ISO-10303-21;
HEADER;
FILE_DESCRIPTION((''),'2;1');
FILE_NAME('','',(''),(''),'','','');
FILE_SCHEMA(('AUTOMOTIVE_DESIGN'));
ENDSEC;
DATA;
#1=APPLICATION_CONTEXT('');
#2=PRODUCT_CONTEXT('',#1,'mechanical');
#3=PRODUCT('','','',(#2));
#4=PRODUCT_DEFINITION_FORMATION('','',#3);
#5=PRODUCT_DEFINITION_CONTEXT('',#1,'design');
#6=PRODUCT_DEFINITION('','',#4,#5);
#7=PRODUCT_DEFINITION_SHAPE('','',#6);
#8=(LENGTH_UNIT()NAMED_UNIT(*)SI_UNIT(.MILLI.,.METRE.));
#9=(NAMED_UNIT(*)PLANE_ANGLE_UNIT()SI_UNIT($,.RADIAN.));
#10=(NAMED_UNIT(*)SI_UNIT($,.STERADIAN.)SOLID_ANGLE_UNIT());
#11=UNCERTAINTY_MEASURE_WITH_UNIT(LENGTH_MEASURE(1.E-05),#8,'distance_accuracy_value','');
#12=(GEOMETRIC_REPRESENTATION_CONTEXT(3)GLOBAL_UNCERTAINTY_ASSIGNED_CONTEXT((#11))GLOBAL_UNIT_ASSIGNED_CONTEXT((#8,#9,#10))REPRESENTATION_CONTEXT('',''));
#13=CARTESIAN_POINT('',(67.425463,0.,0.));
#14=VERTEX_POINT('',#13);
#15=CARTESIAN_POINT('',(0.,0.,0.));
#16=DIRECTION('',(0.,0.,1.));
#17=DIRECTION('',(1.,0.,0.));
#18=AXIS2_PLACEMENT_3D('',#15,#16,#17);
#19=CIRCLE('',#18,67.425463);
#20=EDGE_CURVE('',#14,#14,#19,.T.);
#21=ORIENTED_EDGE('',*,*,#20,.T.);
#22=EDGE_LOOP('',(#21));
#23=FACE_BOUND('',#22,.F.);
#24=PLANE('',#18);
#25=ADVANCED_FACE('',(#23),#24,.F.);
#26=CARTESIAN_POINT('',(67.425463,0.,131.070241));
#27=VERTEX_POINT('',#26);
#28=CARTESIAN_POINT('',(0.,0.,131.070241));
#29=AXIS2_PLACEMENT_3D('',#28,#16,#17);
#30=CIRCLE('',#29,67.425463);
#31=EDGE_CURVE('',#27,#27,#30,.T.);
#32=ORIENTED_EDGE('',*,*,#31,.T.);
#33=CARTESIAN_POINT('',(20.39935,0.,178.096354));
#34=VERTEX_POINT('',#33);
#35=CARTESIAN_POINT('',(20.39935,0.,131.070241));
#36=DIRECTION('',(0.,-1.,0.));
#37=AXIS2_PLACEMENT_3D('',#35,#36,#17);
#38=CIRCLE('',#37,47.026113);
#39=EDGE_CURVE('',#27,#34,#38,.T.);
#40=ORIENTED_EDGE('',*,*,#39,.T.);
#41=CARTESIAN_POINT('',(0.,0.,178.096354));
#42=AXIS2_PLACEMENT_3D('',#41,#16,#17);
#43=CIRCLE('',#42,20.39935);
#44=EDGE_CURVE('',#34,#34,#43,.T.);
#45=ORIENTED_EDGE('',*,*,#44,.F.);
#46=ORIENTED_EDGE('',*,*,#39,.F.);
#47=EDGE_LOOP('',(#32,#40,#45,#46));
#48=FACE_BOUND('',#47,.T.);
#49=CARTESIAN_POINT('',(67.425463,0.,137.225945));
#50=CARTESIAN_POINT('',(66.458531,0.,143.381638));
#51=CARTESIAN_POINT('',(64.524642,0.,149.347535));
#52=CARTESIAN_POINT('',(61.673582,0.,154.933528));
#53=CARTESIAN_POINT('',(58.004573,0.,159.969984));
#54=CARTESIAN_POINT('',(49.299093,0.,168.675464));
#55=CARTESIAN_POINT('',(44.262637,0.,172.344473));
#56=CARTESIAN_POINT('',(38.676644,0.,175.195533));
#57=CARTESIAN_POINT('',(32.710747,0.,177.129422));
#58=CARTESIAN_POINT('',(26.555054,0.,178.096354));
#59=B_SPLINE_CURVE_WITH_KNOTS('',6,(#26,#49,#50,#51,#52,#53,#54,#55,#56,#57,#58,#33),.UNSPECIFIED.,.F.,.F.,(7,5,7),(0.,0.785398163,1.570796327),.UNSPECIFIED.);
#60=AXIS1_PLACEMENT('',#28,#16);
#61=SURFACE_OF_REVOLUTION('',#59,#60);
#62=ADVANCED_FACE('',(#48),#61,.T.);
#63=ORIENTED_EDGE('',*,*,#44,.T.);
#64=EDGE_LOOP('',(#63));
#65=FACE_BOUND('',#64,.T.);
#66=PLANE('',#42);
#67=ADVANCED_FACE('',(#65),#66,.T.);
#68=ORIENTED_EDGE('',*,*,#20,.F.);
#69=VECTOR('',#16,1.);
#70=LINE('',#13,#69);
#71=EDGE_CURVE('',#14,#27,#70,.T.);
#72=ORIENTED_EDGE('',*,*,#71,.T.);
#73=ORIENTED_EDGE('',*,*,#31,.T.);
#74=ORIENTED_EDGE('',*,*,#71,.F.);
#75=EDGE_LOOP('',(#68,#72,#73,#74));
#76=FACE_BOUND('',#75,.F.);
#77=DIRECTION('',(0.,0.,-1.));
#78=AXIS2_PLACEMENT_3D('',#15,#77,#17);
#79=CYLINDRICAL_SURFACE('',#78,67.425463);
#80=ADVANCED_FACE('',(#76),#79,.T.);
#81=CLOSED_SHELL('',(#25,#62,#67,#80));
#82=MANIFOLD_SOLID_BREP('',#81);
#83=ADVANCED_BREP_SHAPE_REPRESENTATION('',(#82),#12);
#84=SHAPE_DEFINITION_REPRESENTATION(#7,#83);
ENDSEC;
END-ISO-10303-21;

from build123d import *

# Parameters (mm, degrees)
F2_R     = 67.425463
F3_DEPTH = 178.096354
F4_R     = 47.026113


with BuildPart() as f3:
    # F2 (on face) → F3 (new body)
    with BuildSketch(Plane.XY):
        Circle(F2_R)
    extrude(amount=F3_DEPTH)

    # F4
    f4_edges = [f3.edges().sort_by_distance(p)[0] for p in [
        (-67.425463, 0, 178.096354),
    ]]
    fillet(f4_edges, radius=F4_R)


solid = f3.part
